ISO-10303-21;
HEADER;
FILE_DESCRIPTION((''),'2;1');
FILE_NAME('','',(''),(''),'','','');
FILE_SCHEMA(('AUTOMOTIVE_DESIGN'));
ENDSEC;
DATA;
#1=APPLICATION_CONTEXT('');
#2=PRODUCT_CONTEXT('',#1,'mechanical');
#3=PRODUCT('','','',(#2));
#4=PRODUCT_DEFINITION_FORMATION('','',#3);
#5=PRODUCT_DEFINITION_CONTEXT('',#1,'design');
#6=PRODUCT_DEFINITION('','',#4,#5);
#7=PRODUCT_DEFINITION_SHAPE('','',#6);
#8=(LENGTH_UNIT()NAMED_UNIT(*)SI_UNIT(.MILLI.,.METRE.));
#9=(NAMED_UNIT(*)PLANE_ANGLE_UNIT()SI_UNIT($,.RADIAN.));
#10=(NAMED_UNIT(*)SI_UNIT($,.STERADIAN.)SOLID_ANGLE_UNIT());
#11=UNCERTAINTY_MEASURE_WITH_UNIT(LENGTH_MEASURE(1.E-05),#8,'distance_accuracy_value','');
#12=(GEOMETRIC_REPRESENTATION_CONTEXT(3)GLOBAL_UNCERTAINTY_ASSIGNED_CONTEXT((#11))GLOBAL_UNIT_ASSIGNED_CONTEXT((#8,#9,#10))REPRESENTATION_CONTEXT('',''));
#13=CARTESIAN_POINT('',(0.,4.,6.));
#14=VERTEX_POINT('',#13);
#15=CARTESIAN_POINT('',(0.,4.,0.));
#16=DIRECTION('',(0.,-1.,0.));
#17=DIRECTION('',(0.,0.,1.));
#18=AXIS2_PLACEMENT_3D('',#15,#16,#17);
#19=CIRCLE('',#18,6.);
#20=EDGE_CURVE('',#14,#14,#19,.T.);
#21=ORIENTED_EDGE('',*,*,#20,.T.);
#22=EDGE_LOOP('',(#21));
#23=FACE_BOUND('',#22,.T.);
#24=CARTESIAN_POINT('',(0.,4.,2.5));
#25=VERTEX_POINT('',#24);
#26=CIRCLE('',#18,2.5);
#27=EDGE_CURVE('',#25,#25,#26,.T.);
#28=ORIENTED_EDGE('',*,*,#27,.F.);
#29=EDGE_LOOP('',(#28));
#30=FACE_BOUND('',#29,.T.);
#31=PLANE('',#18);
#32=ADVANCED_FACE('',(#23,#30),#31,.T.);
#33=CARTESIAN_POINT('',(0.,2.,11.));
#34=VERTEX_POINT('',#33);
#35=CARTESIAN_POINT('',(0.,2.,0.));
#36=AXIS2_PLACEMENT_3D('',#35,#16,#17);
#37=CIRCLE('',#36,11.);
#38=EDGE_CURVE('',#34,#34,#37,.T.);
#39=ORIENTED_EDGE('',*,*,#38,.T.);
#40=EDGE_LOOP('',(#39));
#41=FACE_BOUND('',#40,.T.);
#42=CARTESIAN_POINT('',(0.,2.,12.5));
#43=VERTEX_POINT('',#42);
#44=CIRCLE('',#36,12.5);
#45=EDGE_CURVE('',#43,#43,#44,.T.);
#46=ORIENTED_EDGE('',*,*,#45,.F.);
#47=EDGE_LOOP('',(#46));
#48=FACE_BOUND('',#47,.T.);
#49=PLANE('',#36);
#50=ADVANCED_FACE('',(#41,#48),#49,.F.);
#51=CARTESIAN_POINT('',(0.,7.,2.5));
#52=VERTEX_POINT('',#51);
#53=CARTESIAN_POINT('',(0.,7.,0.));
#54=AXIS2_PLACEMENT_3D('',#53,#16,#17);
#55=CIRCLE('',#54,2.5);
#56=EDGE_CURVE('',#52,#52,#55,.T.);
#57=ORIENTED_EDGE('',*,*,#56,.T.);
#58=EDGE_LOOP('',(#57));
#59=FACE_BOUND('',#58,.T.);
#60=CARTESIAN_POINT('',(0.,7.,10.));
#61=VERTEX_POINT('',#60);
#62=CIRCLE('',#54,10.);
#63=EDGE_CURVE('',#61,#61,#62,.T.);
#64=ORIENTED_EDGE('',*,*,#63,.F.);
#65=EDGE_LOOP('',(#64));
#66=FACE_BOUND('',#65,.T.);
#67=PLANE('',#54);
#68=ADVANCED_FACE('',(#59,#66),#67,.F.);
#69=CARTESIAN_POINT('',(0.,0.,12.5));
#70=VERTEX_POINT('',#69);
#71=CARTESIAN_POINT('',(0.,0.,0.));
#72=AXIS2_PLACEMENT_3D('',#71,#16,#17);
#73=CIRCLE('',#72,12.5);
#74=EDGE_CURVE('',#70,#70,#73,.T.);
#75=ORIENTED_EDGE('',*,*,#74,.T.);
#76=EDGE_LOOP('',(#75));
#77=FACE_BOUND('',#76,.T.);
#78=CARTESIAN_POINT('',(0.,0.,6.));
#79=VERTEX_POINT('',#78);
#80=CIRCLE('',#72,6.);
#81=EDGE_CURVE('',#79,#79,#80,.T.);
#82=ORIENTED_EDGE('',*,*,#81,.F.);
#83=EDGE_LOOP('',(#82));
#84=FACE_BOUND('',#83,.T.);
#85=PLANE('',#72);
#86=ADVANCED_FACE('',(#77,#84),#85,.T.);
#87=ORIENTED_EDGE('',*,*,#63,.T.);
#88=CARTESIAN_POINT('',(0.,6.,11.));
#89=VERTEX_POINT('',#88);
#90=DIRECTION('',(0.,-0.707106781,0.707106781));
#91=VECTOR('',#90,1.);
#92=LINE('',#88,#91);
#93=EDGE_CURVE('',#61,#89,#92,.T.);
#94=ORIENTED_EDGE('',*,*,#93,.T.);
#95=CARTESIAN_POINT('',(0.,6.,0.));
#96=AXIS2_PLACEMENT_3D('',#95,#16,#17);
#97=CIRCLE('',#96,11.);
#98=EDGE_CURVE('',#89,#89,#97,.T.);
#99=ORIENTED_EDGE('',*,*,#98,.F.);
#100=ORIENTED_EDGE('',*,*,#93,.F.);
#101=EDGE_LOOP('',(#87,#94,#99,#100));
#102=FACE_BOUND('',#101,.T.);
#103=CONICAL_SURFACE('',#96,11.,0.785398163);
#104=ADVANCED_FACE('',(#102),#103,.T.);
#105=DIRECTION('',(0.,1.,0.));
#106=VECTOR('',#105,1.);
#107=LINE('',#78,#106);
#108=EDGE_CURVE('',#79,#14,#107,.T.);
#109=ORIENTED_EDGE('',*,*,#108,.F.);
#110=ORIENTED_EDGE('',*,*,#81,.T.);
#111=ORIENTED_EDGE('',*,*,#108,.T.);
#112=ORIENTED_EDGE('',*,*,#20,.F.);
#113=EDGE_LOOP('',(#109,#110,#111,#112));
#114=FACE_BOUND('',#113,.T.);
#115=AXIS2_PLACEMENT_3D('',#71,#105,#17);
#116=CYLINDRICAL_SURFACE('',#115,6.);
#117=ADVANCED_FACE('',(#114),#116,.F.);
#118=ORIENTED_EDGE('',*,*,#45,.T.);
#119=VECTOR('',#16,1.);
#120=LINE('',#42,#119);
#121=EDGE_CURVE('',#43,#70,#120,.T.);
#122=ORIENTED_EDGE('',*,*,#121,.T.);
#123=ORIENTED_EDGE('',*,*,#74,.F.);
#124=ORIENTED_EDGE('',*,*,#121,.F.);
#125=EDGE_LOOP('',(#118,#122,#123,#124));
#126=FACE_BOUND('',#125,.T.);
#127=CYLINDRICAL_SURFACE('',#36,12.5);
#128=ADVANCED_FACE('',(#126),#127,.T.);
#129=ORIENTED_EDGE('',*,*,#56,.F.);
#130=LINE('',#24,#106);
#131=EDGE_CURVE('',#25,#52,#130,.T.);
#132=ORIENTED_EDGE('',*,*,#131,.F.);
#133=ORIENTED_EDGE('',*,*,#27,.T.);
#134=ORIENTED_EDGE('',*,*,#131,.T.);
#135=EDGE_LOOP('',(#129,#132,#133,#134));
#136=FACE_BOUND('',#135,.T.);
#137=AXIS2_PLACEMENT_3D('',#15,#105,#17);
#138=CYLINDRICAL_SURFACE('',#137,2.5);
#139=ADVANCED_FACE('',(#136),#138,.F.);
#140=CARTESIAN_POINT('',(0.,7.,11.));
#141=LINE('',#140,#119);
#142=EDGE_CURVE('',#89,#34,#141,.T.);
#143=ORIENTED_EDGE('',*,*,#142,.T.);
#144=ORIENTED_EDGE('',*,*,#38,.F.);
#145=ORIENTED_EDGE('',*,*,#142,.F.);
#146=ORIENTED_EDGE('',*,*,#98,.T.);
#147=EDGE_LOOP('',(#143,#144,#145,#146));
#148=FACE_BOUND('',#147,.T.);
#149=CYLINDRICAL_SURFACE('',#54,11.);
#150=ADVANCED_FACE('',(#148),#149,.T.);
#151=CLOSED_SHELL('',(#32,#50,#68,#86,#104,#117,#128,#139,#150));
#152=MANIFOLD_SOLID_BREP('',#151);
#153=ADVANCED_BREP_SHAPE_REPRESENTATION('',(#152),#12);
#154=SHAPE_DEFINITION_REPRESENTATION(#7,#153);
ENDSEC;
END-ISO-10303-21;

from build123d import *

# Parameters (mm, degrees)
F2_SIZE = 1


with BuildPart() as f1:
    # F0 (on Right) → F1 (revolve)
    with BuildSketch(Plane.YZ):
        Polygon((0, 6), (4, 6), (4, 2.5), (7, 2.5), (7, 11), (2, 11), (2, 12.5), (0, 12.5), align=None)
    revolve(axis=Axis((0, 5.735075, 0), (0, -1, 0)))

    # F2
    f2_edges = [f1.edges().sort_by_distance(p)[0] for p in [
        (0, 7, -11),
    ]]
    chamfer(f2_edges, length=F2_SIZE)


solid = f1.part
